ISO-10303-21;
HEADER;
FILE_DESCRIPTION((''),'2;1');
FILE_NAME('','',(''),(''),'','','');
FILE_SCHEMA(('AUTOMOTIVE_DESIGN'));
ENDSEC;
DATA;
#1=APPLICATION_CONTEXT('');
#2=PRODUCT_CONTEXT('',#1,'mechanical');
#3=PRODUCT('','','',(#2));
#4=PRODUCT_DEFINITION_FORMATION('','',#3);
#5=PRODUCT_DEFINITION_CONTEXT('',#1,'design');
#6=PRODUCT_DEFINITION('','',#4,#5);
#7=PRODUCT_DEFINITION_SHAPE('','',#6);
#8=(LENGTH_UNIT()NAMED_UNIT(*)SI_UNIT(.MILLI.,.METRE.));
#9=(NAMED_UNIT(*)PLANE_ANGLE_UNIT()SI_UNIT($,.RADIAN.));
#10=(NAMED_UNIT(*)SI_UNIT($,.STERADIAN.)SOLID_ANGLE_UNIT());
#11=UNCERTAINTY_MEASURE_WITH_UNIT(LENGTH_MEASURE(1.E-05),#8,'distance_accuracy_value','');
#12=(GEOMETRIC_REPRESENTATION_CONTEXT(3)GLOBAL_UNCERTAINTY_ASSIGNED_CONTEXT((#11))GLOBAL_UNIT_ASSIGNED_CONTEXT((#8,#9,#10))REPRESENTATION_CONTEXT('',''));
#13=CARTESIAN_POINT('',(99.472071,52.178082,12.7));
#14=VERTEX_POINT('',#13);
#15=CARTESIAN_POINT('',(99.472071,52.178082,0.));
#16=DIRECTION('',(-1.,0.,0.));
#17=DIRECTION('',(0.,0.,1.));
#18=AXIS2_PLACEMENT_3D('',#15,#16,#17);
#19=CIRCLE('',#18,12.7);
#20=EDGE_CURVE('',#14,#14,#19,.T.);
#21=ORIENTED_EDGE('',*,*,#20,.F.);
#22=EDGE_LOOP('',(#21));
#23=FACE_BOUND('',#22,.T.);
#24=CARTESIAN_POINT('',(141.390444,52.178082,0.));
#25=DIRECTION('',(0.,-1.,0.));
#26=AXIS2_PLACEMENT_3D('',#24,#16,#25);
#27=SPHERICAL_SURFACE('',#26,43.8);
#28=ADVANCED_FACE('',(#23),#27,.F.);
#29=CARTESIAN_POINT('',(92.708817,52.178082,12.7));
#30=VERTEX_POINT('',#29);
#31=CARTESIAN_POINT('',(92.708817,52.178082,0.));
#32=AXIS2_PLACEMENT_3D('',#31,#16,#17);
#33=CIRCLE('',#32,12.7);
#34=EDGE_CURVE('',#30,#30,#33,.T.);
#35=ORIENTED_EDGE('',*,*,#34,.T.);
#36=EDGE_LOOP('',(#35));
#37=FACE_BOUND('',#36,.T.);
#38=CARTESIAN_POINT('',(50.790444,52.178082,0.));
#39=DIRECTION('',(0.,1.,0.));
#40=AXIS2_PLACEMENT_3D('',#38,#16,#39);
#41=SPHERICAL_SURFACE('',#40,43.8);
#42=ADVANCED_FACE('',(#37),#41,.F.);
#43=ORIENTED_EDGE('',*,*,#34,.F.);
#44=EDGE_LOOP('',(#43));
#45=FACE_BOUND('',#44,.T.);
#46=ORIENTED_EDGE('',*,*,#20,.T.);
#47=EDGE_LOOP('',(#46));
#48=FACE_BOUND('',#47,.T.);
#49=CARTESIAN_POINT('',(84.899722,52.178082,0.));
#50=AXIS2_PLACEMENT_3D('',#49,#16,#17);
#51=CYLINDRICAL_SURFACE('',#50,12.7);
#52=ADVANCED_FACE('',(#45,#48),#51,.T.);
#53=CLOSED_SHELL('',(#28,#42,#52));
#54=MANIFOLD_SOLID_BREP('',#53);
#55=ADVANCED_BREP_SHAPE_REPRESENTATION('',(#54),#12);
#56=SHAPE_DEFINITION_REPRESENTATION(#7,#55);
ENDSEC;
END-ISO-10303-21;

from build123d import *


with BuildPart() as part:
    # 草图2 → 旋转1 (revolve)
    with BuildSketch(Plane.XY, mode=Mode.PRIVATE) as revolve_1_sk:
        with BuildLine():
            Line((94.590443968, 52.178082298), (97.590443968, 52.178082298))
            ThreePointArc((97.590443968, 52.178082298), (98.063404259, 58.597399239), (99.472070908, 64.878082298))
            Line((99.472070908, 64.878082298), (96.090443968, 64.878082298))
            Line((96.090443968, 64.878082298), (92.708817028, 64.878082298))
            ThreePointArc((92.708817028, 64.878082298), (94.117483678, 58.597399239), (94.590443968, 52.178082298))
        make_face()
    revolve(revolve_1_sk.sketch.rotate(Axis((84.899722228, 52.178082298, 0), (1, 0, 0)), 90), axis=Axis((84.899722228, 52.178082298, 0), (1, 0, 0)))  # turned: the seam where the file's is


solid = part.part
